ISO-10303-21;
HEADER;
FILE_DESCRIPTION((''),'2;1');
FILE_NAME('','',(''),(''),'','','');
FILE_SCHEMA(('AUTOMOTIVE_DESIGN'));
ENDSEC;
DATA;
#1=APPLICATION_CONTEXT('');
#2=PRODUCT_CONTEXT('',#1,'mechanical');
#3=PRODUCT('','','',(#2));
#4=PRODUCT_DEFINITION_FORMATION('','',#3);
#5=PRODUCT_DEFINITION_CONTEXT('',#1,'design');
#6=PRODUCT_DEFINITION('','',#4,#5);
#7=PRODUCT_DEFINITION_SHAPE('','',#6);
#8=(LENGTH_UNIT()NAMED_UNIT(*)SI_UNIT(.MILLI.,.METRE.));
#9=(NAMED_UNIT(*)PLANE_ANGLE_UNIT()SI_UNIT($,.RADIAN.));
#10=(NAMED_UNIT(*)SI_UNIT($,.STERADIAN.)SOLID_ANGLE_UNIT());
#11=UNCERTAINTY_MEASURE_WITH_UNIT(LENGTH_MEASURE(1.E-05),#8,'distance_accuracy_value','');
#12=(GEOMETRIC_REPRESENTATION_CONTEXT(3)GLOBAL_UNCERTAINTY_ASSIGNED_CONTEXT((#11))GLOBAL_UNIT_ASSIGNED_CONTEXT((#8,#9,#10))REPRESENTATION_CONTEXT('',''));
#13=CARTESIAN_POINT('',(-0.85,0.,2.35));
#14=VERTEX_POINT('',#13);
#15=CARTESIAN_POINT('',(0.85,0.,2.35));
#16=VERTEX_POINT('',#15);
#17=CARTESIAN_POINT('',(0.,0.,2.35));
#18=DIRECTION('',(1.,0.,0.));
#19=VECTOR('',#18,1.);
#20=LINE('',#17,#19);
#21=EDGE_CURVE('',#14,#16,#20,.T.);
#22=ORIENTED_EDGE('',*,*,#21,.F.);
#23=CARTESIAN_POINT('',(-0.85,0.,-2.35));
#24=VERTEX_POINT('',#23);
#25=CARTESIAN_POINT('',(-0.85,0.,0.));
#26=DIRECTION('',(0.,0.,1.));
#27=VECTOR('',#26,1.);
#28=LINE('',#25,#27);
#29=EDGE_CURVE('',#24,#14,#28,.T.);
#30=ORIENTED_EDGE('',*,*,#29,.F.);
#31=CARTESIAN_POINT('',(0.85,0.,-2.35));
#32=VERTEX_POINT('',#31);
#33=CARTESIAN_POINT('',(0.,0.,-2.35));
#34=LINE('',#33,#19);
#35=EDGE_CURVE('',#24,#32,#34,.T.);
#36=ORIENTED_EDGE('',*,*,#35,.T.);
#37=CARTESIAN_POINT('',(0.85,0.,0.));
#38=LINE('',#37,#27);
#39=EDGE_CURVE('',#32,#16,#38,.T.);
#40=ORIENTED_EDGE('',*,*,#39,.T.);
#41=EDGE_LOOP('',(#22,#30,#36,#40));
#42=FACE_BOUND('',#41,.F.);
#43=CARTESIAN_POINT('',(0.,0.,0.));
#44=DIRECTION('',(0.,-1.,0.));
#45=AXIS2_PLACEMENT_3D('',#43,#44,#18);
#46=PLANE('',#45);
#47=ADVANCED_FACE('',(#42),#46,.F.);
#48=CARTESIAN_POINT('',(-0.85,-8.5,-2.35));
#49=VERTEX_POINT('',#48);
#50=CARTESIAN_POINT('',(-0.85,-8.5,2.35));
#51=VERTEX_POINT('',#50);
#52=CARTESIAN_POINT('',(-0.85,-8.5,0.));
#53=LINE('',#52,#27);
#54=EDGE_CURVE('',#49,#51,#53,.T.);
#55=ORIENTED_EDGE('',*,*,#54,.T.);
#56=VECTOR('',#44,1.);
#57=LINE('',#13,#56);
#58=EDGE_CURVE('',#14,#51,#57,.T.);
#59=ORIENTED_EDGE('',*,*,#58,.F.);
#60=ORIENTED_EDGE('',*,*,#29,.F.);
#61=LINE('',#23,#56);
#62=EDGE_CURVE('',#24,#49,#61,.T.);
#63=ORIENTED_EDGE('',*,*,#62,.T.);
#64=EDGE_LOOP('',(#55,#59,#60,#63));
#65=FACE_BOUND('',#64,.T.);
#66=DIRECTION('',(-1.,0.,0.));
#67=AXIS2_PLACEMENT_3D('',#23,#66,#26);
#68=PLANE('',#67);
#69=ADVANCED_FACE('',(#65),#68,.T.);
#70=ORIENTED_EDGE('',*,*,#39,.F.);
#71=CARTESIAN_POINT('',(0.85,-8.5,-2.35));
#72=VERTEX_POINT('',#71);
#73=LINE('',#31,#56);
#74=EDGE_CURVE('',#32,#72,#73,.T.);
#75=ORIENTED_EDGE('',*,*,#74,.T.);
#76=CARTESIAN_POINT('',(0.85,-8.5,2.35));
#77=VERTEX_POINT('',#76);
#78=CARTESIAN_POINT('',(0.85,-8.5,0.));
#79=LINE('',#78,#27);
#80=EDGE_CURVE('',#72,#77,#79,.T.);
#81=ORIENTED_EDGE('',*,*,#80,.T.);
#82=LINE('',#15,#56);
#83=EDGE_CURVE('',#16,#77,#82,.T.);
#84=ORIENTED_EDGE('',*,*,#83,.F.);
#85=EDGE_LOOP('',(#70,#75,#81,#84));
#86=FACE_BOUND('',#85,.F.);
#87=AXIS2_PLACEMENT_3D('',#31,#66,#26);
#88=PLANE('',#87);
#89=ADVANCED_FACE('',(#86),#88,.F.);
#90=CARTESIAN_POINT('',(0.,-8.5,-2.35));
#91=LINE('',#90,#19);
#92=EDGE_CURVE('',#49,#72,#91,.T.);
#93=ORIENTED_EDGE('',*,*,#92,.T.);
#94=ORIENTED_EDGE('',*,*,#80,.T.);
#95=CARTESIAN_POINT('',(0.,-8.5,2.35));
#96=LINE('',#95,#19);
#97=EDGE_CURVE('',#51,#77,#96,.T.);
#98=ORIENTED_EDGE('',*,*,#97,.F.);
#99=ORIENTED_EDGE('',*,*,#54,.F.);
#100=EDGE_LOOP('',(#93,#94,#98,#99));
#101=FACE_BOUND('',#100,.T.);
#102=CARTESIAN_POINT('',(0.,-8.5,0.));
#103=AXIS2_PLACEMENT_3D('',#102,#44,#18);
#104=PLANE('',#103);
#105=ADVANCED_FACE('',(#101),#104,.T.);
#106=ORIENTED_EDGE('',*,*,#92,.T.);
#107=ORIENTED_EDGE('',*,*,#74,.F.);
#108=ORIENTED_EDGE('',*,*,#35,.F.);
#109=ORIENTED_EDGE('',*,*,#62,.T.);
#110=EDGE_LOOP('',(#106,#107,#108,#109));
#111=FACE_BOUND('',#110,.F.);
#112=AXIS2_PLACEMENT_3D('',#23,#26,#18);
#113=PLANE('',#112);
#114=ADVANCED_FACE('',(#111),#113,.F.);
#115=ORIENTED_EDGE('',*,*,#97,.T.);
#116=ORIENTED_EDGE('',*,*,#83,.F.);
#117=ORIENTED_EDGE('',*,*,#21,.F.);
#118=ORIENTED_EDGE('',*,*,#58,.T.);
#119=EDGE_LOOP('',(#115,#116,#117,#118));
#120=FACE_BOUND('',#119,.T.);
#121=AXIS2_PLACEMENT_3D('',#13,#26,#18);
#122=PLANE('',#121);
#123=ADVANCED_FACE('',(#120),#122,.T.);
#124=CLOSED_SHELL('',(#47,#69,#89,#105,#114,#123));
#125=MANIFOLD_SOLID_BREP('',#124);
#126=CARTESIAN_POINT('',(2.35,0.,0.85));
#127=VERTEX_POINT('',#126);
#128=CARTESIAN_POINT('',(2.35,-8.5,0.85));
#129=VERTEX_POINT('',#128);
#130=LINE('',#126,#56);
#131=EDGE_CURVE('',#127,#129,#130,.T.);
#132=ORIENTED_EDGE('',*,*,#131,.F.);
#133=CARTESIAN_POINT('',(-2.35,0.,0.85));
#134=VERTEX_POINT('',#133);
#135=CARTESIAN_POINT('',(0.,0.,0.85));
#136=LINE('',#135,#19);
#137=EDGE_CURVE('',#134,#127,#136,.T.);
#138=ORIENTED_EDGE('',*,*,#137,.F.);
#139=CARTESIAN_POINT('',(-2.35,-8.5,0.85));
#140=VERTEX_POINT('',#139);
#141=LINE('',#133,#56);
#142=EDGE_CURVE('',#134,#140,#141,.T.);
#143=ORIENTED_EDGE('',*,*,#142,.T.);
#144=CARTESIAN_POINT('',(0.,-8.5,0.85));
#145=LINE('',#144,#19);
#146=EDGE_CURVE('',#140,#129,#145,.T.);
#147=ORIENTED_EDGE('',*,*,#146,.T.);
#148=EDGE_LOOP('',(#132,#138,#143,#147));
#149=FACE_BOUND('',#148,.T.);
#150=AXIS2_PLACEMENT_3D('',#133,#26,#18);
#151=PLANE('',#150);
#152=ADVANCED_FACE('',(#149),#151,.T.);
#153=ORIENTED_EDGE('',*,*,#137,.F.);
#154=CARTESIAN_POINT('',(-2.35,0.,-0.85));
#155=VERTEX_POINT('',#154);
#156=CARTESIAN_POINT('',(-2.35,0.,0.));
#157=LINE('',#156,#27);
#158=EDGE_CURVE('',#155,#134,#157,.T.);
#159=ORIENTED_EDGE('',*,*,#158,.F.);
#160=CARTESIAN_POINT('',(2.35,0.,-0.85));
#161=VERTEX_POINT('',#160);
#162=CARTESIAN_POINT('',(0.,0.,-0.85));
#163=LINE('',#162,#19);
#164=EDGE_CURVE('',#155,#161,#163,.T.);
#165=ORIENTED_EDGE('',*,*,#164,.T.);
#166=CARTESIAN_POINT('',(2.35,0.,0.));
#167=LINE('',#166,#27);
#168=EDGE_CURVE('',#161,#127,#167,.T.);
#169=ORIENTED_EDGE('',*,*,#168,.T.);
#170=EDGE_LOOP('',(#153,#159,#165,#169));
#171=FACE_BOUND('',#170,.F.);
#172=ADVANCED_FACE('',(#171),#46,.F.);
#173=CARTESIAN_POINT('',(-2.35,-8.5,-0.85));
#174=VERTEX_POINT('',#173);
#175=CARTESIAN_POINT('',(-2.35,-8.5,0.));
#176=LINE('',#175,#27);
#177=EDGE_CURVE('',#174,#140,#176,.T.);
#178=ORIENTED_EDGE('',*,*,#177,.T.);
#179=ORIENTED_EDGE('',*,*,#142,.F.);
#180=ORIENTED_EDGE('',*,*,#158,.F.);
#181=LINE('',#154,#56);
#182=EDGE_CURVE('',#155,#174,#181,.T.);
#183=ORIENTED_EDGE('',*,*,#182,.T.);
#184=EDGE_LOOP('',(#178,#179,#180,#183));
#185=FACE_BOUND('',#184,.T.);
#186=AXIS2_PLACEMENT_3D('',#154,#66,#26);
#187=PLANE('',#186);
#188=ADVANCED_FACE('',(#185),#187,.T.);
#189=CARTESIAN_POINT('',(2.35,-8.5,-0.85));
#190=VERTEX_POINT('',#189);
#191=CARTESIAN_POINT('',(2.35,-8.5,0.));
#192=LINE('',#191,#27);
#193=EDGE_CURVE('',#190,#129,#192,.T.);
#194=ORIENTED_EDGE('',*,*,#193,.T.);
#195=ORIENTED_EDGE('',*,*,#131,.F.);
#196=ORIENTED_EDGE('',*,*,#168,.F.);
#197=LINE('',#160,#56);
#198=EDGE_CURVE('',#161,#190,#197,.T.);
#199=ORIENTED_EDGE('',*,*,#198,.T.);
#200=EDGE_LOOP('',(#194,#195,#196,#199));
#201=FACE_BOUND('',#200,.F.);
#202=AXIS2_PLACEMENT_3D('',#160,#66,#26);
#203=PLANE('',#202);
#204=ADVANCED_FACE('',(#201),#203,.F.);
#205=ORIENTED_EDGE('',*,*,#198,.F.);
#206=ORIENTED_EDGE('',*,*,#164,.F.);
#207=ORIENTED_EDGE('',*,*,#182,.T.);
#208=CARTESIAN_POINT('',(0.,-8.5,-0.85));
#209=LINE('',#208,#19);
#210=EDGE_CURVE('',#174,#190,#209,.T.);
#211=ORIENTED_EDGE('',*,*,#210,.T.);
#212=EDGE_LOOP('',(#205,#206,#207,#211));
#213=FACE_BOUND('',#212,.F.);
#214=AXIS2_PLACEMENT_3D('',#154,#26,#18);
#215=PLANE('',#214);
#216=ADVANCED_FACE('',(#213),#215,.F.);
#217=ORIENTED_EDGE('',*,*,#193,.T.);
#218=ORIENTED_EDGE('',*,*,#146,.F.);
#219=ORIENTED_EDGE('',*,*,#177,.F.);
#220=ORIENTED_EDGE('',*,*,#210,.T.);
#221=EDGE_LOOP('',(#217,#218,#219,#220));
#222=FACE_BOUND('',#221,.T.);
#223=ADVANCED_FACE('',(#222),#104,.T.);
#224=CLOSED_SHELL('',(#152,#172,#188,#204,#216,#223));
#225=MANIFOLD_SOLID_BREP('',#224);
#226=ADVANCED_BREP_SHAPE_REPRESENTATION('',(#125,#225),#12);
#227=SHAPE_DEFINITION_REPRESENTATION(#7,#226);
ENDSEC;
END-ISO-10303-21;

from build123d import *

# Parameters (mm, degrees)
F0_W     = 1.7
F0_H     = 4.7
F2_DEPTH = 8.5
F1_W     = 4.7
F1_H     = 1.7


with BuildPart() as f2:
    # F0 (on Front) → F2 (new body)
    with BuildSketch(Plane.XZ):
        Rectangle(F0_W, F0_H)
    extrude(amount=F2_DEPTH)


with BuildPart() as f2b:
    # F1 (on Front) → F2, piece 2 (new body)
    with BuildSketch(Plane.XZ):
        Rectangle(F1_W, F1_H)
    extrude(amount=F2_DEPTH)


solid = Compound([f2.part, f2b.part])
